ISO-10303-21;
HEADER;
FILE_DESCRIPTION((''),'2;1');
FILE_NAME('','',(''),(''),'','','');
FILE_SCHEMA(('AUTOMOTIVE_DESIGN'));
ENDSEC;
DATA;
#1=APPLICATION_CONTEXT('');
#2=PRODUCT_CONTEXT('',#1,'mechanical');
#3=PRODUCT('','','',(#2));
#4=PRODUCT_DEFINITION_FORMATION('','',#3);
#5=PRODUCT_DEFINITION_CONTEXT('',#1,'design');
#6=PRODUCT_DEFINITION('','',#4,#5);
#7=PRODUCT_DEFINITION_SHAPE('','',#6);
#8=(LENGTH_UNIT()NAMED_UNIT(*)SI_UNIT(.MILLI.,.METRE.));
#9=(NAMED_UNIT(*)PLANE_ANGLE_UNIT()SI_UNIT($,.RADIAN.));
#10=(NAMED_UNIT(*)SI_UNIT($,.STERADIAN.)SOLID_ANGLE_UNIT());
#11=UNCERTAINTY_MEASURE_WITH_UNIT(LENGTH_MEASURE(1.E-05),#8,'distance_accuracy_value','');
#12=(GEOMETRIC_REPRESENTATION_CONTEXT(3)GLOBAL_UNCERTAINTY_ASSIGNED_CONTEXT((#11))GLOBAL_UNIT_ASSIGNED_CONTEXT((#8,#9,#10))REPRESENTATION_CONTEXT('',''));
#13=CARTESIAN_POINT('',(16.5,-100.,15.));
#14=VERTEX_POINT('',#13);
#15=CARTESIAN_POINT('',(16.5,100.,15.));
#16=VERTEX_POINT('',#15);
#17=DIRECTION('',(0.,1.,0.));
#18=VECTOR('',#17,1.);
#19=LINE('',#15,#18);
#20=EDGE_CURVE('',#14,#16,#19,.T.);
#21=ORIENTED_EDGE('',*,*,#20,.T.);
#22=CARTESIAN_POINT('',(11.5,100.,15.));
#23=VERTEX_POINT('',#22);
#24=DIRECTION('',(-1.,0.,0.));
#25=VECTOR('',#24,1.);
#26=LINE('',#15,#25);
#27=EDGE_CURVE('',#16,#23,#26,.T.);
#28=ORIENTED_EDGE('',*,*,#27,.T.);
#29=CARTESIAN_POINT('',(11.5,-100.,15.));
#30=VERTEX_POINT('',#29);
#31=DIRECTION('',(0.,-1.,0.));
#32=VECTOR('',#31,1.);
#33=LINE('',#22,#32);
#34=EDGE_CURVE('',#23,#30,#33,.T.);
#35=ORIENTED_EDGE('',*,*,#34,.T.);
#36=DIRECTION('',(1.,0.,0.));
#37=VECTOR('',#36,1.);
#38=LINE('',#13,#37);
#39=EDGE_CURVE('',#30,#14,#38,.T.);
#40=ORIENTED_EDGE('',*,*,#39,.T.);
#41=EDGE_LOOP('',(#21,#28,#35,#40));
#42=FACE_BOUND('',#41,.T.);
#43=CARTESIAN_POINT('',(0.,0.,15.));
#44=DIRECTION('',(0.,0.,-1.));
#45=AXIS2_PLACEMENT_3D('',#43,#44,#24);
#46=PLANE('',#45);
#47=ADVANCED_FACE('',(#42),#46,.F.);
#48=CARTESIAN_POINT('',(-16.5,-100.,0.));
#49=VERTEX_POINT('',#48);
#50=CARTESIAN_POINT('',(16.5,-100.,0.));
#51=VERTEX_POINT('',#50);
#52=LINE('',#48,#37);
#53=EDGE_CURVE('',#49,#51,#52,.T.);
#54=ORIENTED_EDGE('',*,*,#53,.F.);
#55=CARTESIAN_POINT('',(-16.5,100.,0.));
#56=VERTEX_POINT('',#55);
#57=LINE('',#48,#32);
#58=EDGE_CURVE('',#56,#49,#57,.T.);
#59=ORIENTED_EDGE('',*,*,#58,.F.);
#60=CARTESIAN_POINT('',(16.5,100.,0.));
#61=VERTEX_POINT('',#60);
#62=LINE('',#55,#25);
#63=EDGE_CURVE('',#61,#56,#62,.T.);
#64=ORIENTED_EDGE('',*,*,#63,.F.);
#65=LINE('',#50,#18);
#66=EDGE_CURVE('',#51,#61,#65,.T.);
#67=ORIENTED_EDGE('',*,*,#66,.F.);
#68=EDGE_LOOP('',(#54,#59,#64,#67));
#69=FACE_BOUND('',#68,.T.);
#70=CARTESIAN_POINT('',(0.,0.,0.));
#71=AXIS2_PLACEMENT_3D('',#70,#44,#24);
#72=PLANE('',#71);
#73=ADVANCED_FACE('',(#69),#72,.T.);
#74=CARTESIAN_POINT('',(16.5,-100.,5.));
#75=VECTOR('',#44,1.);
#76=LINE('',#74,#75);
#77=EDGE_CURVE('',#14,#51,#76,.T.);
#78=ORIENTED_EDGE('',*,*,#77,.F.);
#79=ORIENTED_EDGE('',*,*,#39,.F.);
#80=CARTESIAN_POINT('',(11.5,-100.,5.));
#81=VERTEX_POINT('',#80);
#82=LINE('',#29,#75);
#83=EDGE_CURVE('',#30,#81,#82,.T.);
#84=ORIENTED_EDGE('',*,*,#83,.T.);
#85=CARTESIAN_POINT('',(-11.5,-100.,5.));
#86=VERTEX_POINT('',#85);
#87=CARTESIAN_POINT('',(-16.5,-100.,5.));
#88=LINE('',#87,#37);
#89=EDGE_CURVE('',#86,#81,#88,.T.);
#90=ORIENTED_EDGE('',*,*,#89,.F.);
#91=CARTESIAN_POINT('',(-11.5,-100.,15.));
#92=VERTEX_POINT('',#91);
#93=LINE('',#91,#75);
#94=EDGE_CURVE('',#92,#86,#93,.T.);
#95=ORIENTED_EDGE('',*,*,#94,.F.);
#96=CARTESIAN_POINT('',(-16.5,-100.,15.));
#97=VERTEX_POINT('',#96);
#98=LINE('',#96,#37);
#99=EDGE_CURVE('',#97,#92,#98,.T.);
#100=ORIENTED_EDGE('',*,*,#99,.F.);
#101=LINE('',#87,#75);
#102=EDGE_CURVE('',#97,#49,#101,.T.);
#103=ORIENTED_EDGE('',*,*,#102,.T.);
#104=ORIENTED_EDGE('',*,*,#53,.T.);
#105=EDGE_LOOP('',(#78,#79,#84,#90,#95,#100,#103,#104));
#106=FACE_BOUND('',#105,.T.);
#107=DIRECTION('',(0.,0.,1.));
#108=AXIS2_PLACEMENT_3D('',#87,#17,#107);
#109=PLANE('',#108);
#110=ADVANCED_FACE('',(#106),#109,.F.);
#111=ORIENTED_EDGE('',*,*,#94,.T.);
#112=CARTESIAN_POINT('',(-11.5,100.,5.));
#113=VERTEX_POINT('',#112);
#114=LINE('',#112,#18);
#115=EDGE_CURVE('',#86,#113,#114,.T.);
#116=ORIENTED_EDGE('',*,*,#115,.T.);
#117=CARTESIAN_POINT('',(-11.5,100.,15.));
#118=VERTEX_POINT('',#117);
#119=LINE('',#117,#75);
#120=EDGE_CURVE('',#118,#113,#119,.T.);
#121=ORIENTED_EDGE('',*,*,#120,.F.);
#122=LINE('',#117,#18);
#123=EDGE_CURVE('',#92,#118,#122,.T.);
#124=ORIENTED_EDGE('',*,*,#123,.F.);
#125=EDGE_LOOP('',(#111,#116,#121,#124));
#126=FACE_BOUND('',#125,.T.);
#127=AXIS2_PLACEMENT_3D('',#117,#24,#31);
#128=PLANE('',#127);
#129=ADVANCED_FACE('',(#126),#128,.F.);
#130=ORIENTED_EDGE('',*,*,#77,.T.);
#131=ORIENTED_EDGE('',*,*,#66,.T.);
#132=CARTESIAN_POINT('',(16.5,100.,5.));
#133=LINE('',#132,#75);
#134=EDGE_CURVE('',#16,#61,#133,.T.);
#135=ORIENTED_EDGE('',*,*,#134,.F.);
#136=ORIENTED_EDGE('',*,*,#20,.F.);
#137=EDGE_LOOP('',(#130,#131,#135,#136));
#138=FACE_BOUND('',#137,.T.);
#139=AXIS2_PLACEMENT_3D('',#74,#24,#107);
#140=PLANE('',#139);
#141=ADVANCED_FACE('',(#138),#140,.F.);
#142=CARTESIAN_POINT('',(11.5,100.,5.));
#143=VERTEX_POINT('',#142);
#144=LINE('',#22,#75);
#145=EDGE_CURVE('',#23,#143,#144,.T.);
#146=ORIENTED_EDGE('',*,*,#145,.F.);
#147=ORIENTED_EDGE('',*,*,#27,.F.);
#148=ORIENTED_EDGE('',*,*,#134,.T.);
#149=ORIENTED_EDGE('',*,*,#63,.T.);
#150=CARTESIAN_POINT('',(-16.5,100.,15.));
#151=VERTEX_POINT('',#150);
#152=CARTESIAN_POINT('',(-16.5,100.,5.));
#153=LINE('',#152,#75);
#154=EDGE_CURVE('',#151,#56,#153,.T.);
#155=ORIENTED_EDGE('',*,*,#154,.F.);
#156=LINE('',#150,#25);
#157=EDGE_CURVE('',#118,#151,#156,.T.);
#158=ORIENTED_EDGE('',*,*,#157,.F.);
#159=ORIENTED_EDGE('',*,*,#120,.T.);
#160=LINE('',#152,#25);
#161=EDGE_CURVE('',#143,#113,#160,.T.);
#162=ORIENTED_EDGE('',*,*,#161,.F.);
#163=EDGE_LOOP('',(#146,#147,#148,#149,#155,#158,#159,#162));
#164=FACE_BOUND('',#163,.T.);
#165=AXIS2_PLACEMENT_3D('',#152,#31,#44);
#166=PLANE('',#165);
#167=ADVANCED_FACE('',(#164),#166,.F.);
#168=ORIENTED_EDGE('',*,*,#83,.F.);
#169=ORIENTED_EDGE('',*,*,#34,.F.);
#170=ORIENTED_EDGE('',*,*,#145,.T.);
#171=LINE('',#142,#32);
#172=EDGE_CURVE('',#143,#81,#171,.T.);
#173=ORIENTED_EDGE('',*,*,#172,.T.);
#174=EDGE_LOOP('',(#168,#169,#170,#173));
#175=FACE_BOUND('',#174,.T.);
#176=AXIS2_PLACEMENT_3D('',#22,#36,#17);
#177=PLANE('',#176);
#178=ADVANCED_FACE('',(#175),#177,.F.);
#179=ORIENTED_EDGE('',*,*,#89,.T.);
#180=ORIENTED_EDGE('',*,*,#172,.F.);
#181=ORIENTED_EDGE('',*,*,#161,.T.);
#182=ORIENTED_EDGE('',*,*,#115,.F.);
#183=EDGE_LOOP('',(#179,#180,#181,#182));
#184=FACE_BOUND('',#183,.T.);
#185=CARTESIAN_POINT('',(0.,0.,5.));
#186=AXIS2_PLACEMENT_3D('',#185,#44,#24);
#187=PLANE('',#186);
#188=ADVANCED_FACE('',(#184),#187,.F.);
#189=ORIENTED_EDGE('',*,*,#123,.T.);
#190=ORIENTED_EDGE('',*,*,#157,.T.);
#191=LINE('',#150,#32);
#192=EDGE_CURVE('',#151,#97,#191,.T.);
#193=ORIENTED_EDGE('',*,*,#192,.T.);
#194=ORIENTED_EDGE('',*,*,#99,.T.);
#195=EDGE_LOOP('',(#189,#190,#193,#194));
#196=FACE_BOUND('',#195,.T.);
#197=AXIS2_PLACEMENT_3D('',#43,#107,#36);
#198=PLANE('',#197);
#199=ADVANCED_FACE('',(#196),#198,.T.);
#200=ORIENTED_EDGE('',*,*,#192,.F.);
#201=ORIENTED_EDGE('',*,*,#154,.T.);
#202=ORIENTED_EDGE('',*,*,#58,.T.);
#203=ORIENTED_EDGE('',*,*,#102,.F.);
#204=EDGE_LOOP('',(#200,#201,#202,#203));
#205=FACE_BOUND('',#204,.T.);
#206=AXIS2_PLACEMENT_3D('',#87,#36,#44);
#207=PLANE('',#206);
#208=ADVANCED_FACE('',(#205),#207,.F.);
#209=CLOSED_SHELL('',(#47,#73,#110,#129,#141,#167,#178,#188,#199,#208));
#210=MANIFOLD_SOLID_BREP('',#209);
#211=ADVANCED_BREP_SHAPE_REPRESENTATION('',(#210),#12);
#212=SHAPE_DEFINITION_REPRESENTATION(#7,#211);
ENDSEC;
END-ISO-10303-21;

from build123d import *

# Parameters (mm, degrees)
SKETCH_1_W      = 33
SKETCH_1_H      = 200
EXTRUDE_1_DEPTH = 5
SKETCH_2_W      = 5
SKETCH_2_H      = 200
EXTRUDE_2_DEPTH = 10


with BuildPart() as part:
    # 草图1 → 凸台-拉伸1 (new body)
    with BuildSketch(Plane.XY):
        Rectangle(SKETCH_1_W, SKETCH_1_H)
    extrude(amount=EXTRUDE_1_DEPTH)

    # 草图2 → 凸台-拉伸2 (add)
    with BuildSketch(Plane.XY.offset(5)):
        with Locations((-14, 0)):
            Rectangle(SKETCH_2_W, SKETCH_2_H)
        with Locations((14, 0)):
            Rectangle(SKETCH_2_W, SKETCH_2_H)
    extrude(amount=EXTRUDE_2_DEPTH)


solid = part.part
